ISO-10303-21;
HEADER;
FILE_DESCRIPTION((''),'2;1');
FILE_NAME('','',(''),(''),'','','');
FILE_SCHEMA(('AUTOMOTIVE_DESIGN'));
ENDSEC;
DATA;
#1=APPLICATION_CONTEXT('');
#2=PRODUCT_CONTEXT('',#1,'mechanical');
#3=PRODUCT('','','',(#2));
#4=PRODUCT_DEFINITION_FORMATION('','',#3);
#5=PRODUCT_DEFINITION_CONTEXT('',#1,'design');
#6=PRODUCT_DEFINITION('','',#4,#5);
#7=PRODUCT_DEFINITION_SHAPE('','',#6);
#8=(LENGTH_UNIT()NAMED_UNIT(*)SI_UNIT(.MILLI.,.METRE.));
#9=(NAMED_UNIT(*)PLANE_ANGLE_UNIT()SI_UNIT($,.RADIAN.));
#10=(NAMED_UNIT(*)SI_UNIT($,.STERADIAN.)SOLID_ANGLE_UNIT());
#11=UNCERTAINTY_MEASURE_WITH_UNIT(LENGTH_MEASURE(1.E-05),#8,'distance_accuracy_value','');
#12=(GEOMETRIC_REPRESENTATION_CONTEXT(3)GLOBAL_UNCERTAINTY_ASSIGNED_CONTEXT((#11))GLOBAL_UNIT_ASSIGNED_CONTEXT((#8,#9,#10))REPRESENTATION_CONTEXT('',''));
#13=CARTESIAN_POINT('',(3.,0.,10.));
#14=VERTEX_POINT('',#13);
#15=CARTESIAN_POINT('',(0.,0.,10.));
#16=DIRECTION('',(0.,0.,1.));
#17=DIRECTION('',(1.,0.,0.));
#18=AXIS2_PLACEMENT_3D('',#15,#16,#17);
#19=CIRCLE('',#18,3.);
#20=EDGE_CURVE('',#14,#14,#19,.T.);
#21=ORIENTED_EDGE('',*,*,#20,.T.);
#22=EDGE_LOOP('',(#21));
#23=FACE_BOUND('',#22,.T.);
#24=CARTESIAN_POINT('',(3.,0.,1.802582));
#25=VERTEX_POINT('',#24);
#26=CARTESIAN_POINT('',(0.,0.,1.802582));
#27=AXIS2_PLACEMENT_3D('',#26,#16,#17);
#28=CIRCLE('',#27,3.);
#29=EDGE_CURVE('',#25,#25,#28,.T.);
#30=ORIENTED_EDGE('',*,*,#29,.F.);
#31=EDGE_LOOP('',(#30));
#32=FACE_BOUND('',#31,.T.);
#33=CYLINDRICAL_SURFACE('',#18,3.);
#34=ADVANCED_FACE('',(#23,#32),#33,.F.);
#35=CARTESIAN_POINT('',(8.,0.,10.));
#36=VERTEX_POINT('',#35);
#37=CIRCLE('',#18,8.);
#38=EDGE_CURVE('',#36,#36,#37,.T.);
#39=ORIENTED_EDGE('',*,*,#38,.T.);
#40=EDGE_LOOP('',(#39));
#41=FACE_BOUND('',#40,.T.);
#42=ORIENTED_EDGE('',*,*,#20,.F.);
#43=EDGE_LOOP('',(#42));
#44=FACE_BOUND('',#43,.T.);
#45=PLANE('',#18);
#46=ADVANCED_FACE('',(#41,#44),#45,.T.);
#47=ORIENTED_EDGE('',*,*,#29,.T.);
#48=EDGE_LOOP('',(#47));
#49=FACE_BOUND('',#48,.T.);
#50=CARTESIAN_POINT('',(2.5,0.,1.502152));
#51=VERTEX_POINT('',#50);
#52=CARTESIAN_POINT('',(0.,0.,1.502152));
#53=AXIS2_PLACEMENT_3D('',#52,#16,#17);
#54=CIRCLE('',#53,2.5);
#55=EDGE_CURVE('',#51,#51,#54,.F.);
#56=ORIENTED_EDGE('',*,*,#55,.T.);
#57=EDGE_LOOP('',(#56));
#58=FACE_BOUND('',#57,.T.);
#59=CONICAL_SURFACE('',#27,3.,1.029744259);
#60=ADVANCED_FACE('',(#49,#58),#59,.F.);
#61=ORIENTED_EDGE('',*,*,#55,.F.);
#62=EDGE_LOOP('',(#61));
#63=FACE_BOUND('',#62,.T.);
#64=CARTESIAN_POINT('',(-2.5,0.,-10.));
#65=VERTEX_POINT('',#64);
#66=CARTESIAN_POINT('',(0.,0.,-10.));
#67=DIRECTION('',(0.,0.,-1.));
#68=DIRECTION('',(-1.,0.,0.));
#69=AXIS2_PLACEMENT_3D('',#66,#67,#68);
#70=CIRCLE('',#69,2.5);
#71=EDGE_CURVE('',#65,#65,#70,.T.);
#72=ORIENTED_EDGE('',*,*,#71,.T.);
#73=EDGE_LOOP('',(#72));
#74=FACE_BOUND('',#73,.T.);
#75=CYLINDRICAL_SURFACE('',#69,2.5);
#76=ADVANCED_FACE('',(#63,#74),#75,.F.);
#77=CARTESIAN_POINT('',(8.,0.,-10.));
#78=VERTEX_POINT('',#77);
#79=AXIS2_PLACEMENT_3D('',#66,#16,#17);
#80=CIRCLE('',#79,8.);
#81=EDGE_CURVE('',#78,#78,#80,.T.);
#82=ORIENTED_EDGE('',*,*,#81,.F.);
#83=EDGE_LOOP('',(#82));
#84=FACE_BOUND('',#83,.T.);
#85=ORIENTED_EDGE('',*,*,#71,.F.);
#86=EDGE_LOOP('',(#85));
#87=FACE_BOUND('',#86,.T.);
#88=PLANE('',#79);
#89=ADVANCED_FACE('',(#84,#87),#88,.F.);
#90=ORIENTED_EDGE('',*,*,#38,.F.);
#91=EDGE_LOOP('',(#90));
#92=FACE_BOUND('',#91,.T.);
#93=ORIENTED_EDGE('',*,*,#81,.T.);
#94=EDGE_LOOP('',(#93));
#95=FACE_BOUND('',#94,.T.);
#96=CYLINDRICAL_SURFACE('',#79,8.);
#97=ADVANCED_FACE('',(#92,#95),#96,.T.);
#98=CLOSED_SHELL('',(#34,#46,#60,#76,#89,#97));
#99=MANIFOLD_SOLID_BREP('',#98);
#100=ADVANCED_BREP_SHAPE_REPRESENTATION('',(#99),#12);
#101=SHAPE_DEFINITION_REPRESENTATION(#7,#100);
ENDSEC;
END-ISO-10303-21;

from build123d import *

# Parameters (mm, degrees)
AUFSATZ_LINEAR_AUSTRAGEN1_DEPTH      = 10
AUFSATZ_LINEAR_AUSTRAGEN1_DEPTH_BACK = 10
SKIZZE1_R                            = 8
F_6_0_6_DURCHMESSER_BOHRUNG1_D       = 6
F_6_0_6_DURCHMESSER_BOHRUNG1_DEPTH   = 8.197418143
F_6_0_6_DURCHMESSER_BOHRUNG1_TIP     = 1.802581857
F_5_0_5_DURCHMESSER_BOHRUNG5_D       = 5
F_5_0_5_DURCHMESSER_BOHRUNG5_DEPTH   = 18.497848452
F_5_0_5_DURCHMESSER_BOHRUNG5_TIP     = 1.502151548


with BuildPart() as part:
    # Skizze1 → Aufsatz-Linear austragen1 (new, two sides: drawn at the far end of the back side and taken through both)
    with BuildSketch(Plane.XY.offset(-AUFSATZ_LINEAR_AUSTRAGEN1_DEPTH_BACK)):
        Circle(SKIZZE1_R)
    extrude(amount=AUFSATZ_LINEAR_AUSTRAGEN1_DEPTH + AUFSATZ_LINEAR_AUSTRAGEN1_DEPTH_BACK)

    # Ø6.0 (6) Durchmesser Bohrung1
    with Locations(Plane.XY.offset(10)):
        with Locations((0, 0)):
            Hole(F_6_0_6_DURCHMESSER_BOHRUNG1_D / 2, depth=F_6_0_6_DURCHMESSER_BOHRUNG1_DEPTH)
            with Locations((0, 0, -(F_6_0_6_DURCHMESSER_BOHRUNG1_DEPTH + F_6_0_6_DURCHMESSER_BOHRUNG1_TIP / 2))):  # 118° drill point
                Cone(0, F_6_0_6_DURCHMESSER_BOHRUNG1_D / 2, F_6_0_6_DURCHMESSER_BOHRUNG1_TIP, mode=Mode.SUBTRACT)

    # Ø5.0 (5) Durchmesser Bohrung5
    with Locations(Plane(origin=(0, 0, -10), x_dir=(-1, 0, 0), z_dir=(0, 0, -1))):
        with Locations((0, 0)):
            Hole(F_5_0_5_DURCHMESSER_BOHRUNG5_D / 2, depth=F_5_0_5_DURCHMESSER_BOHRUNG5_DEPTH)
            with Locations((0, 0, -(F_5_0_5_DURCHMESSER_BOHRUNG5_DEPTH + F_5_0_5_DURCHMESSER_BOHRUNG5_TIP / 2))):  # 118° drill point
                Cone(0, F_5_0_5_DURCHMESSER_BOHRUNG5_D / 2, F_5_0_5_DURCHMESSER_BOHRUNG5_TIP, mode=Mode.SUBTRACT)


solid = part.part
